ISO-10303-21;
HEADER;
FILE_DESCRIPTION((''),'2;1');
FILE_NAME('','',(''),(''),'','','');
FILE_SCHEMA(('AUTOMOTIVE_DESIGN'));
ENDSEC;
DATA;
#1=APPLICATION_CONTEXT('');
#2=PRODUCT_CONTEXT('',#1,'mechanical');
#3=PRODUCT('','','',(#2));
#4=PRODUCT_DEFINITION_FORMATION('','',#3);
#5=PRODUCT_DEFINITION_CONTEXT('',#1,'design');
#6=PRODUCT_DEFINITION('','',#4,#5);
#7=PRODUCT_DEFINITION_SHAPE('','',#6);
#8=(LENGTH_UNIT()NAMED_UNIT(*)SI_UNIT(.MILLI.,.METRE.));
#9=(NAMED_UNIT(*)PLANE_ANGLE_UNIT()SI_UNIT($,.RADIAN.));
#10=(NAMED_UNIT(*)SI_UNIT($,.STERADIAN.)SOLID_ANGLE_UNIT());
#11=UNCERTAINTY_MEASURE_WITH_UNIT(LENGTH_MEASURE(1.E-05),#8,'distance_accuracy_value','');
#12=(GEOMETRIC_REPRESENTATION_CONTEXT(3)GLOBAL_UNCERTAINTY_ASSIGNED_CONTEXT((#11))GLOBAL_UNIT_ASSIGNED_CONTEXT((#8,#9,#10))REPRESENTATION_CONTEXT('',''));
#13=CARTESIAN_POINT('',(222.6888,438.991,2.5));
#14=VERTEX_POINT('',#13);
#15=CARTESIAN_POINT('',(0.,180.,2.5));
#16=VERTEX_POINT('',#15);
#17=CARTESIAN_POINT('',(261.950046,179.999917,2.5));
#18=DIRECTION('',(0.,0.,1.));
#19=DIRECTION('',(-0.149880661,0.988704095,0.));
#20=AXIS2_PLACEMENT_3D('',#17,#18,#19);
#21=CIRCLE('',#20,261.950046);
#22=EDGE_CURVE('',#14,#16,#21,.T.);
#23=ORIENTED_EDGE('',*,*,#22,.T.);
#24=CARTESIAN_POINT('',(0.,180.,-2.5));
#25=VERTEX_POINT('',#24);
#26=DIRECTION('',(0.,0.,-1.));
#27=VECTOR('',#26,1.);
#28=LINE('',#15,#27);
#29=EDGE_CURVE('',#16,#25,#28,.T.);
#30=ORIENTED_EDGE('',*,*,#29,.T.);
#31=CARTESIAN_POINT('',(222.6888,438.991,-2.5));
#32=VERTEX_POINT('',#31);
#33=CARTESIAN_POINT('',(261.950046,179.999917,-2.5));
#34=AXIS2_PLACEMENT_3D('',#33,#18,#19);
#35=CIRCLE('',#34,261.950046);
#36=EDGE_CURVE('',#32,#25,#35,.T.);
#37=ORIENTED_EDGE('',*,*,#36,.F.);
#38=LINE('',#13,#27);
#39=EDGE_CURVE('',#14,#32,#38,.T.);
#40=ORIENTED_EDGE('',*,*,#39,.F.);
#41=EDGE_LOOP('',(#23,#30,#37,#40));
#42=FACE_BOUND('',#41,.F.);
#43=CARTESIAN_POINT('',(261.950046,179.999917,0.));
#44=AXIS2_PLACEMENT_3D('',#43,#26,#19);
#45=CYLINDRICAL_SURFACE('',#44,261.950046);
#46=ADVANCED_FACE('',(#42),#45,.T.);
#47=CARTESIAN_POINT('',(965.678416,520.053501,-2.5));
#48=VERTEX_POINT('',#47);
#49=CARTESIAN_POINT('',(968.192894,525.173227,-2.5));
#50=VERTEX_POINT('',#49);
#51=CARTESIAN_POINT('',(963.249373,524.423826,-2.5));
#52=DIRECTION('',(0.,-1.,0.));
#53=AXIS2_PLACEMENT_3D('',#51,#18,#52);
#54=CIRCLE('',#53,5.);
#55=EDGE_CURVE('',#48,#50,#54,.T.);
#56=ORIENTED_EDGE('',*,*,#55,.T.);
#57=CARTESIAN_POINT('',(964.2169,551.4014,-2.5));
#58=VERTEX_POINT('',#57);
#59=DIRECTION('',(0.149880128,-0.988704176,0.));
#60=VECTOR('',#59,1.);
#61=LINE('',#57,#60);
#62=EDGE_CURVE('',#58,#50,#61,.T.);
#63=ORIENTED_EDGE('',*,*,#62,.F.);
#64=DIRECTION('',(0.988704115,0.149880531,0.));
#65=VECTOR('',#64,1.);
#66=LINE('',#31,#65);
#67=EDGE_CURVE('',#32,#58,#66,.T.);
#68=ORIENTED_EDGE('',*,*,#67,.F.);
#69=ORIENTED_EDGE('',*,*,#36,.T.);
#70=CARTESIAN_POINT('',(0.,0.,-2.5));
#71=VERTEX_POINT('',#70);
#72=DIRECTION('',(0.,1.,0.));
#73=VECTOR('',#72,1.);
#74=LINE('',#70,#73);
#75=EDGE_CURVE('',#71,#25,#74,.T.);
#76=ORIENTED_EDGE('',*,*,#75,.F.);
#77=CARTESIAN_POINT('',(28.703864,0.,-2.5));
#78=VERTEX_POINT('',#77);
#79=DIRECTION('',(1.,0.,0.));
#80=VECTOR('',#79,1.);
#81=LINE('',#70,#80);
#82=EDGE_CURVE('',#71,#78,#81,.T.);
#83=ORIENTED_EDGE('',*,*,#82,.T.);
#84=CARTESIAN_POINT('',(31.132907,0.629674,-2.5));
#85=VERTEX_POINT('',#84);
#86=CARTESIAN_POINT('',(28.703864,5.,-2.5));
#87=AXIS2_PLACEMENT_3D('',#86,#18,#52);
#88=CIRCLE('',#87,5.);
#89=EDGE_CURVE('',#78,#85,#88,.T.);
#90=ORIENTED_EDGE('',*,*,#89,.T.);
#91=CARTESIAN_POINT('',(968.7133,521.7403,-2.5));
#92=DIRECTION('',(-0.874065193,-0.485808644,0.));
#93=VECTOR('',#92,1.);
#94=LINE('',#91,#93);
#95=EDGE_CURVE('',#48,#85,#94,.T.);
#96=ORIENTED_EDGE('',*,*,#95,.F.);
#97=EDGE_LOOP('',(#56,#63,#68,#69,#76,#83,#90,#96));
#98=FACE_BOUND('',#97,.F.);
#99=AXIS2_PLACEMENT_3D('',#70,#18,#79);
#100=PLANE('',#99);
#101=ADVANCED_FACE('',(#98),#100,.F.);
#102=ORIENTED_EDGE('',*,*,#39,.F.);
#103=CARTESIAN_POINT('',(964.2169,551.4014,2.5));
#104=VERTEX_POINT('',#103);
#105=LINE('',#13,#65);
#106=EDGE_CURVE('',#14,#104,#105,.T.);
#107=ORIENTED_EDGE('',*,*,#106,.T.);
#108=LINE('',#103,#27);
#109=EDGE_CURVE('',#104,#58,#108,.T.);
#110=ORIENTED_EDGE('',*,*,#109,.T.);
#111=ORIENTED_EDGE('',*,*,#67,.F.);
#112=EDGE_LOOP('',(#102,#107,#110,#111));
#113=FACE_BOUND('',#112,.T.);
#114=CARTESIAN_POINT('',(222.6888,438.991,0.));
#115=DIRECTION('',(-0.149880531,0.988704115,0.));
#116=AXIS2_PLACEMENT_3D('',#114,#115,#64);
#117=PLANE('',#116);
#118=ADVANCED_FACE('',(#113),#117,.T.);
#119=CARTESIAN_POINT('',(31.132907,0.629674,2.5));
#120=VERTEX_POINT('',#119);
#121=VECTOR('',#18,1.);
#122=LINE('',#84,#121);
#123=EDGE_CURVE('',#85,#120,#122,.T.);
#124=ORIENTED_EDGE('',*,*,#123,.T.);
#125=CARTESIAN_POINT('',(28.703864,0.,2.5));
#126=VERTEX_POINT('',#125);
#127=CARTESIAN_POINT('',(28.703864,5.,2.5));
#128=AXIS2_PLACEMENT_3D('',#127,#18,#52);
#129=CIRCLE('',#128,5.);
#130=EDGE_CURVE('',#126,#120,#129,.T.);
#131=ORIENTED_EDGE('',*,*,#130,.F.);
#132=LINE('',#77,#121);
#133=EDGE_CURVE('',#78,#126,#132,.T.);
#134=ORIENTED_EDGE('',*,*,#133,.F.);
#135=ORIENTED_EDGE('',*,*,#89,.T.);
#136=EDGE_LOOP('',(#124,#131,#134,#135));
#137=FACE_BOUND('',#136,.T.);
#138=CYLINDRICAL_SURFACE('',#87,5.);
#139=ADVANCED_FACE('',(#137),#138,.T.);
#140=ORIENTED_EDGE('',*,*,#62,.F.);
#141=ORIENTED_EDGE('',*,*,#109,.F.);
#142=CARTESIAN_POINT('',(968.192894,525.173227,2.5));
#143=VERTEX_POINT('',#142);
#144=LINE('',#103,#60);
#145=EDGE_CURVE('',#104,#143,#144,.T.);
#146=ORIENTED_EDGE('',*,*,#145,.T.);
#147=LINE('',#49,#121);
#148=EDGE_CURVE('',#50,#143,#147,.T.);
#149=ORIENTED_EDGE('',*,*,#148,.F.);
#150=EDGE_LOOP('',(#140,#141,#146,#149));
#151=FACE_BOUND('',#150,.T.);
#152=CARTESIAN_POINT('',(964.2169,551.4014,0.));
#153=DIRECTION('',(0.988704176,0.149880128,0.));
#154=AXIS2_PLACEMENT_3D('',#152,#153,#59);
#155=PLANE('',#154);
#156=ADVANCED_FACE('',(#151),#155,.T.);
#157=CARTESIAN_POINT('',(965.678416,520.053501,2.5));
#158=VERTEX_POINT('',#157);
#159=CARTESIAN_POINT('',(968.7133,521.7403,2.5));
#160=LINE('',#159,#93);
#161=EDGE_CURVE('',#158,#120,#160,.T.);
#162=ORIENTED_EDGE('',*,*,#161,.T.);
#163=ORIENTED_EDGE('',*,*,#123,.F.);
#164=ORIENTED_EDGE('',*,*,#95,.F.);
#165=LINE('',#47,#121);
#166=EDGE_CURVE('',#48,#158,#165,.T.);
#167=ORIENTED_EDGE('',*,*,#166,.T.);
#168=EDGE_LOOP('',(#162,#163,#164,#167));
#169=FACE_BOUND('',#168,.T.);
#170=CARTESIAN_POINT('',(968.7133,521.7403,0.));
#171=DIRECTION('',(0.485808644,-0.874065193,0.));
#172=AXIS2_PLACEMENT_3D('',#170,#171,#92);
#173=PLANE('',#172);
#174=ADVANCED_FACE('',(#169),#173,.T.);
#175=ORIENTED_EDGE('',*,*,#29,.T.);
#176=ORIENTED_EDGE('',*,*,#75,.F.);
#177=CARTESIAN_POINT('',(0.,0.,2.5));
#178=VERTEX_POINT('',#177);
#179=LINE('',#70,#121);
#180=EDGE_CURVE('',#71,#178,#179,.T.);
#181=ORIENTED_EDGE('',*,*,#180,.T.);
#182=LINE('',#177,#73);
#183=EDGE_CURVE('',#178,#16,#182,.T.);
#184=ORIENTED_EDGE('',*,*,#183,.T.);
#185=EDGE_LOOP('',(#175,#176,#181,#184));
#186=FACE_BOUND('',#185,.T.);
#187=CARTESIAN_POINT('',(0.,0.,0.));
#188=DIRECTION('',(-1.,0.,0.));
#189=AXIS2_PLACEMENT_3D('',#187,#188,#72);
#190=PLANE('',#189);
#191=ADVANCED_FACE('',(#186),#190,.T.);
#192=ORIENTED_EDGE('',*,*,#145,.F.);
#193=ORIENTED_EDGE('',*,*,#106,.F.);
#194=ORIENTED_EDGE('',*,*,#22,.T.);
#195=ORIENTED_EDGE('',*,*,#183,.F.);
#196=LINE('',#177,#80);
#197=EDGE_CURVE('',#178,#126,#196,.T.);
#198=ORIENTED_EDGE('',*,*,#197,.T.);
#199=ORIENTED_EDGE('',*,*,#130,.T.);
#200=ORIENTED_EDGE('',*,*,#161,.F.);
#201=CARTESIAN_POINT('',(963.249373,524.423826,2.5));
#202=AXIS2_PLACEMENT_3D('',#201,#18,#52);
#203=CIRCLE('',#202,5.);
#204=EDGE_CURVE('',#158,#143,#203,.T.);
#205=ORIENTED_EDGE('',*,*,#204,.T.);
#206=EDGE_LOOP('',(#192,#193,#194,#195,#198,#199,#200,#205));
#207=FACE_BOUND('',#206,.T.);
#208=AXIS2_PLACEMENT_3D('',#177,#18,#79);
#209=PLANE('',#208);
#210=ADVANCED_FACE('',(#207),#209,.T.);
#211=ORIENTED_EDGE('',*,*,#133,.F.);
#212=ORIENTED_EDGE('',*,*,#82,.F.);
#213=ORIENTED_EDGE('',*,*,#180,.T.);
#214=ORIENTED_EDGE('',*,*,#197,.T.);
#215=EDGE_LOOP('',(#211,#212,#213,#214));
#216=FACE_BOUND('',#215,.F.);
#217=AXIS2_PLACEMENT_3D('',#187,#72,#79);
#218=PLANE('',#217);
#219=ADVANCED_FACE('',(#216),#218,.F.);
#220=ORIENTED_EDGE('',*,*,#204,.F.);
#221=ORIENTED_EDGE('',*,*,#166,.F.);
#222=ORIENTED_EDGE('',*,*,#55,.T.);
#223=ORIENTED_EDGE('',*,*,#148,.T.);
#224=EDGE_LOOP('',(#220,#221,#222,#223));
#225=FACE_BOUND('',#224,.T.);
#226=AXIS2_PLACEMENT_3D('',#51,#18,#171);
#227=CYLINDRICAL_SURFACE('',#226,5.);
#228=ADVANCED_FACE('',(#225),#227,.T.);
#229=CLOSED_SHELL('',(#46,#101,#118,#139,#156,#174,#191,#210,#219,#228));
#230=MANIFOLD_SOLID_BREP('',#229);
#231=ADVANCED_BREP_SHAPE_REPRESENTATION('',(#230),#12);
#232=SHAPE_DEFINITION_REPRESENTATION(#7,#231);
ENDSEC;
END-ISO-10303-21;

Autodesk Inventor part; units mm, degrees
ref_plane "YZ Plane" through (0, 0, 0) normal (1, 0, 0) x (0, 1, 0)
ref_plane "XZ Plane" through (0, 0, 0) normal (0, 1, 0) x (-1, 0, 0)
ref_plane "XY Plane" through (0, 0, 0) normal (0, 0, 1) x (1, 0, 0)
sketch "Skizze1" plane through (0, 0, 0) normal (0, 0, 1) x (1, 0, 0)
  line L0 (0, 0) -> (0, 180)
  arc A0 (222.6888, 438.991) -> (0, 180) centre (261.95, 180) ccw
  line L1 (222.6888, 438.991) -> (964.2169, 551.4014)
  line L2 (0, 0) -> (30, 0)
  line L3 (964.2169, 551.4014) -> (968.7133, 521.7403)
  line L4 (968.7133, 521.7403) -> (30, 0)
  dimension "d0" = 98.62
  dimension "d2" = 30
  dimension "d5" = 261.95
  dimension "d6" = 180
  dimension "d8" = 750
  dimension "d11" = 30
extrude "Extrusion1" add sketch "Skizze1" along normal mid plane 5
fillet "Rundung1" radius 5 2 edges at (968.7133, 521.7403, 0) (30, 0, 0)
properties part number "Keil"
